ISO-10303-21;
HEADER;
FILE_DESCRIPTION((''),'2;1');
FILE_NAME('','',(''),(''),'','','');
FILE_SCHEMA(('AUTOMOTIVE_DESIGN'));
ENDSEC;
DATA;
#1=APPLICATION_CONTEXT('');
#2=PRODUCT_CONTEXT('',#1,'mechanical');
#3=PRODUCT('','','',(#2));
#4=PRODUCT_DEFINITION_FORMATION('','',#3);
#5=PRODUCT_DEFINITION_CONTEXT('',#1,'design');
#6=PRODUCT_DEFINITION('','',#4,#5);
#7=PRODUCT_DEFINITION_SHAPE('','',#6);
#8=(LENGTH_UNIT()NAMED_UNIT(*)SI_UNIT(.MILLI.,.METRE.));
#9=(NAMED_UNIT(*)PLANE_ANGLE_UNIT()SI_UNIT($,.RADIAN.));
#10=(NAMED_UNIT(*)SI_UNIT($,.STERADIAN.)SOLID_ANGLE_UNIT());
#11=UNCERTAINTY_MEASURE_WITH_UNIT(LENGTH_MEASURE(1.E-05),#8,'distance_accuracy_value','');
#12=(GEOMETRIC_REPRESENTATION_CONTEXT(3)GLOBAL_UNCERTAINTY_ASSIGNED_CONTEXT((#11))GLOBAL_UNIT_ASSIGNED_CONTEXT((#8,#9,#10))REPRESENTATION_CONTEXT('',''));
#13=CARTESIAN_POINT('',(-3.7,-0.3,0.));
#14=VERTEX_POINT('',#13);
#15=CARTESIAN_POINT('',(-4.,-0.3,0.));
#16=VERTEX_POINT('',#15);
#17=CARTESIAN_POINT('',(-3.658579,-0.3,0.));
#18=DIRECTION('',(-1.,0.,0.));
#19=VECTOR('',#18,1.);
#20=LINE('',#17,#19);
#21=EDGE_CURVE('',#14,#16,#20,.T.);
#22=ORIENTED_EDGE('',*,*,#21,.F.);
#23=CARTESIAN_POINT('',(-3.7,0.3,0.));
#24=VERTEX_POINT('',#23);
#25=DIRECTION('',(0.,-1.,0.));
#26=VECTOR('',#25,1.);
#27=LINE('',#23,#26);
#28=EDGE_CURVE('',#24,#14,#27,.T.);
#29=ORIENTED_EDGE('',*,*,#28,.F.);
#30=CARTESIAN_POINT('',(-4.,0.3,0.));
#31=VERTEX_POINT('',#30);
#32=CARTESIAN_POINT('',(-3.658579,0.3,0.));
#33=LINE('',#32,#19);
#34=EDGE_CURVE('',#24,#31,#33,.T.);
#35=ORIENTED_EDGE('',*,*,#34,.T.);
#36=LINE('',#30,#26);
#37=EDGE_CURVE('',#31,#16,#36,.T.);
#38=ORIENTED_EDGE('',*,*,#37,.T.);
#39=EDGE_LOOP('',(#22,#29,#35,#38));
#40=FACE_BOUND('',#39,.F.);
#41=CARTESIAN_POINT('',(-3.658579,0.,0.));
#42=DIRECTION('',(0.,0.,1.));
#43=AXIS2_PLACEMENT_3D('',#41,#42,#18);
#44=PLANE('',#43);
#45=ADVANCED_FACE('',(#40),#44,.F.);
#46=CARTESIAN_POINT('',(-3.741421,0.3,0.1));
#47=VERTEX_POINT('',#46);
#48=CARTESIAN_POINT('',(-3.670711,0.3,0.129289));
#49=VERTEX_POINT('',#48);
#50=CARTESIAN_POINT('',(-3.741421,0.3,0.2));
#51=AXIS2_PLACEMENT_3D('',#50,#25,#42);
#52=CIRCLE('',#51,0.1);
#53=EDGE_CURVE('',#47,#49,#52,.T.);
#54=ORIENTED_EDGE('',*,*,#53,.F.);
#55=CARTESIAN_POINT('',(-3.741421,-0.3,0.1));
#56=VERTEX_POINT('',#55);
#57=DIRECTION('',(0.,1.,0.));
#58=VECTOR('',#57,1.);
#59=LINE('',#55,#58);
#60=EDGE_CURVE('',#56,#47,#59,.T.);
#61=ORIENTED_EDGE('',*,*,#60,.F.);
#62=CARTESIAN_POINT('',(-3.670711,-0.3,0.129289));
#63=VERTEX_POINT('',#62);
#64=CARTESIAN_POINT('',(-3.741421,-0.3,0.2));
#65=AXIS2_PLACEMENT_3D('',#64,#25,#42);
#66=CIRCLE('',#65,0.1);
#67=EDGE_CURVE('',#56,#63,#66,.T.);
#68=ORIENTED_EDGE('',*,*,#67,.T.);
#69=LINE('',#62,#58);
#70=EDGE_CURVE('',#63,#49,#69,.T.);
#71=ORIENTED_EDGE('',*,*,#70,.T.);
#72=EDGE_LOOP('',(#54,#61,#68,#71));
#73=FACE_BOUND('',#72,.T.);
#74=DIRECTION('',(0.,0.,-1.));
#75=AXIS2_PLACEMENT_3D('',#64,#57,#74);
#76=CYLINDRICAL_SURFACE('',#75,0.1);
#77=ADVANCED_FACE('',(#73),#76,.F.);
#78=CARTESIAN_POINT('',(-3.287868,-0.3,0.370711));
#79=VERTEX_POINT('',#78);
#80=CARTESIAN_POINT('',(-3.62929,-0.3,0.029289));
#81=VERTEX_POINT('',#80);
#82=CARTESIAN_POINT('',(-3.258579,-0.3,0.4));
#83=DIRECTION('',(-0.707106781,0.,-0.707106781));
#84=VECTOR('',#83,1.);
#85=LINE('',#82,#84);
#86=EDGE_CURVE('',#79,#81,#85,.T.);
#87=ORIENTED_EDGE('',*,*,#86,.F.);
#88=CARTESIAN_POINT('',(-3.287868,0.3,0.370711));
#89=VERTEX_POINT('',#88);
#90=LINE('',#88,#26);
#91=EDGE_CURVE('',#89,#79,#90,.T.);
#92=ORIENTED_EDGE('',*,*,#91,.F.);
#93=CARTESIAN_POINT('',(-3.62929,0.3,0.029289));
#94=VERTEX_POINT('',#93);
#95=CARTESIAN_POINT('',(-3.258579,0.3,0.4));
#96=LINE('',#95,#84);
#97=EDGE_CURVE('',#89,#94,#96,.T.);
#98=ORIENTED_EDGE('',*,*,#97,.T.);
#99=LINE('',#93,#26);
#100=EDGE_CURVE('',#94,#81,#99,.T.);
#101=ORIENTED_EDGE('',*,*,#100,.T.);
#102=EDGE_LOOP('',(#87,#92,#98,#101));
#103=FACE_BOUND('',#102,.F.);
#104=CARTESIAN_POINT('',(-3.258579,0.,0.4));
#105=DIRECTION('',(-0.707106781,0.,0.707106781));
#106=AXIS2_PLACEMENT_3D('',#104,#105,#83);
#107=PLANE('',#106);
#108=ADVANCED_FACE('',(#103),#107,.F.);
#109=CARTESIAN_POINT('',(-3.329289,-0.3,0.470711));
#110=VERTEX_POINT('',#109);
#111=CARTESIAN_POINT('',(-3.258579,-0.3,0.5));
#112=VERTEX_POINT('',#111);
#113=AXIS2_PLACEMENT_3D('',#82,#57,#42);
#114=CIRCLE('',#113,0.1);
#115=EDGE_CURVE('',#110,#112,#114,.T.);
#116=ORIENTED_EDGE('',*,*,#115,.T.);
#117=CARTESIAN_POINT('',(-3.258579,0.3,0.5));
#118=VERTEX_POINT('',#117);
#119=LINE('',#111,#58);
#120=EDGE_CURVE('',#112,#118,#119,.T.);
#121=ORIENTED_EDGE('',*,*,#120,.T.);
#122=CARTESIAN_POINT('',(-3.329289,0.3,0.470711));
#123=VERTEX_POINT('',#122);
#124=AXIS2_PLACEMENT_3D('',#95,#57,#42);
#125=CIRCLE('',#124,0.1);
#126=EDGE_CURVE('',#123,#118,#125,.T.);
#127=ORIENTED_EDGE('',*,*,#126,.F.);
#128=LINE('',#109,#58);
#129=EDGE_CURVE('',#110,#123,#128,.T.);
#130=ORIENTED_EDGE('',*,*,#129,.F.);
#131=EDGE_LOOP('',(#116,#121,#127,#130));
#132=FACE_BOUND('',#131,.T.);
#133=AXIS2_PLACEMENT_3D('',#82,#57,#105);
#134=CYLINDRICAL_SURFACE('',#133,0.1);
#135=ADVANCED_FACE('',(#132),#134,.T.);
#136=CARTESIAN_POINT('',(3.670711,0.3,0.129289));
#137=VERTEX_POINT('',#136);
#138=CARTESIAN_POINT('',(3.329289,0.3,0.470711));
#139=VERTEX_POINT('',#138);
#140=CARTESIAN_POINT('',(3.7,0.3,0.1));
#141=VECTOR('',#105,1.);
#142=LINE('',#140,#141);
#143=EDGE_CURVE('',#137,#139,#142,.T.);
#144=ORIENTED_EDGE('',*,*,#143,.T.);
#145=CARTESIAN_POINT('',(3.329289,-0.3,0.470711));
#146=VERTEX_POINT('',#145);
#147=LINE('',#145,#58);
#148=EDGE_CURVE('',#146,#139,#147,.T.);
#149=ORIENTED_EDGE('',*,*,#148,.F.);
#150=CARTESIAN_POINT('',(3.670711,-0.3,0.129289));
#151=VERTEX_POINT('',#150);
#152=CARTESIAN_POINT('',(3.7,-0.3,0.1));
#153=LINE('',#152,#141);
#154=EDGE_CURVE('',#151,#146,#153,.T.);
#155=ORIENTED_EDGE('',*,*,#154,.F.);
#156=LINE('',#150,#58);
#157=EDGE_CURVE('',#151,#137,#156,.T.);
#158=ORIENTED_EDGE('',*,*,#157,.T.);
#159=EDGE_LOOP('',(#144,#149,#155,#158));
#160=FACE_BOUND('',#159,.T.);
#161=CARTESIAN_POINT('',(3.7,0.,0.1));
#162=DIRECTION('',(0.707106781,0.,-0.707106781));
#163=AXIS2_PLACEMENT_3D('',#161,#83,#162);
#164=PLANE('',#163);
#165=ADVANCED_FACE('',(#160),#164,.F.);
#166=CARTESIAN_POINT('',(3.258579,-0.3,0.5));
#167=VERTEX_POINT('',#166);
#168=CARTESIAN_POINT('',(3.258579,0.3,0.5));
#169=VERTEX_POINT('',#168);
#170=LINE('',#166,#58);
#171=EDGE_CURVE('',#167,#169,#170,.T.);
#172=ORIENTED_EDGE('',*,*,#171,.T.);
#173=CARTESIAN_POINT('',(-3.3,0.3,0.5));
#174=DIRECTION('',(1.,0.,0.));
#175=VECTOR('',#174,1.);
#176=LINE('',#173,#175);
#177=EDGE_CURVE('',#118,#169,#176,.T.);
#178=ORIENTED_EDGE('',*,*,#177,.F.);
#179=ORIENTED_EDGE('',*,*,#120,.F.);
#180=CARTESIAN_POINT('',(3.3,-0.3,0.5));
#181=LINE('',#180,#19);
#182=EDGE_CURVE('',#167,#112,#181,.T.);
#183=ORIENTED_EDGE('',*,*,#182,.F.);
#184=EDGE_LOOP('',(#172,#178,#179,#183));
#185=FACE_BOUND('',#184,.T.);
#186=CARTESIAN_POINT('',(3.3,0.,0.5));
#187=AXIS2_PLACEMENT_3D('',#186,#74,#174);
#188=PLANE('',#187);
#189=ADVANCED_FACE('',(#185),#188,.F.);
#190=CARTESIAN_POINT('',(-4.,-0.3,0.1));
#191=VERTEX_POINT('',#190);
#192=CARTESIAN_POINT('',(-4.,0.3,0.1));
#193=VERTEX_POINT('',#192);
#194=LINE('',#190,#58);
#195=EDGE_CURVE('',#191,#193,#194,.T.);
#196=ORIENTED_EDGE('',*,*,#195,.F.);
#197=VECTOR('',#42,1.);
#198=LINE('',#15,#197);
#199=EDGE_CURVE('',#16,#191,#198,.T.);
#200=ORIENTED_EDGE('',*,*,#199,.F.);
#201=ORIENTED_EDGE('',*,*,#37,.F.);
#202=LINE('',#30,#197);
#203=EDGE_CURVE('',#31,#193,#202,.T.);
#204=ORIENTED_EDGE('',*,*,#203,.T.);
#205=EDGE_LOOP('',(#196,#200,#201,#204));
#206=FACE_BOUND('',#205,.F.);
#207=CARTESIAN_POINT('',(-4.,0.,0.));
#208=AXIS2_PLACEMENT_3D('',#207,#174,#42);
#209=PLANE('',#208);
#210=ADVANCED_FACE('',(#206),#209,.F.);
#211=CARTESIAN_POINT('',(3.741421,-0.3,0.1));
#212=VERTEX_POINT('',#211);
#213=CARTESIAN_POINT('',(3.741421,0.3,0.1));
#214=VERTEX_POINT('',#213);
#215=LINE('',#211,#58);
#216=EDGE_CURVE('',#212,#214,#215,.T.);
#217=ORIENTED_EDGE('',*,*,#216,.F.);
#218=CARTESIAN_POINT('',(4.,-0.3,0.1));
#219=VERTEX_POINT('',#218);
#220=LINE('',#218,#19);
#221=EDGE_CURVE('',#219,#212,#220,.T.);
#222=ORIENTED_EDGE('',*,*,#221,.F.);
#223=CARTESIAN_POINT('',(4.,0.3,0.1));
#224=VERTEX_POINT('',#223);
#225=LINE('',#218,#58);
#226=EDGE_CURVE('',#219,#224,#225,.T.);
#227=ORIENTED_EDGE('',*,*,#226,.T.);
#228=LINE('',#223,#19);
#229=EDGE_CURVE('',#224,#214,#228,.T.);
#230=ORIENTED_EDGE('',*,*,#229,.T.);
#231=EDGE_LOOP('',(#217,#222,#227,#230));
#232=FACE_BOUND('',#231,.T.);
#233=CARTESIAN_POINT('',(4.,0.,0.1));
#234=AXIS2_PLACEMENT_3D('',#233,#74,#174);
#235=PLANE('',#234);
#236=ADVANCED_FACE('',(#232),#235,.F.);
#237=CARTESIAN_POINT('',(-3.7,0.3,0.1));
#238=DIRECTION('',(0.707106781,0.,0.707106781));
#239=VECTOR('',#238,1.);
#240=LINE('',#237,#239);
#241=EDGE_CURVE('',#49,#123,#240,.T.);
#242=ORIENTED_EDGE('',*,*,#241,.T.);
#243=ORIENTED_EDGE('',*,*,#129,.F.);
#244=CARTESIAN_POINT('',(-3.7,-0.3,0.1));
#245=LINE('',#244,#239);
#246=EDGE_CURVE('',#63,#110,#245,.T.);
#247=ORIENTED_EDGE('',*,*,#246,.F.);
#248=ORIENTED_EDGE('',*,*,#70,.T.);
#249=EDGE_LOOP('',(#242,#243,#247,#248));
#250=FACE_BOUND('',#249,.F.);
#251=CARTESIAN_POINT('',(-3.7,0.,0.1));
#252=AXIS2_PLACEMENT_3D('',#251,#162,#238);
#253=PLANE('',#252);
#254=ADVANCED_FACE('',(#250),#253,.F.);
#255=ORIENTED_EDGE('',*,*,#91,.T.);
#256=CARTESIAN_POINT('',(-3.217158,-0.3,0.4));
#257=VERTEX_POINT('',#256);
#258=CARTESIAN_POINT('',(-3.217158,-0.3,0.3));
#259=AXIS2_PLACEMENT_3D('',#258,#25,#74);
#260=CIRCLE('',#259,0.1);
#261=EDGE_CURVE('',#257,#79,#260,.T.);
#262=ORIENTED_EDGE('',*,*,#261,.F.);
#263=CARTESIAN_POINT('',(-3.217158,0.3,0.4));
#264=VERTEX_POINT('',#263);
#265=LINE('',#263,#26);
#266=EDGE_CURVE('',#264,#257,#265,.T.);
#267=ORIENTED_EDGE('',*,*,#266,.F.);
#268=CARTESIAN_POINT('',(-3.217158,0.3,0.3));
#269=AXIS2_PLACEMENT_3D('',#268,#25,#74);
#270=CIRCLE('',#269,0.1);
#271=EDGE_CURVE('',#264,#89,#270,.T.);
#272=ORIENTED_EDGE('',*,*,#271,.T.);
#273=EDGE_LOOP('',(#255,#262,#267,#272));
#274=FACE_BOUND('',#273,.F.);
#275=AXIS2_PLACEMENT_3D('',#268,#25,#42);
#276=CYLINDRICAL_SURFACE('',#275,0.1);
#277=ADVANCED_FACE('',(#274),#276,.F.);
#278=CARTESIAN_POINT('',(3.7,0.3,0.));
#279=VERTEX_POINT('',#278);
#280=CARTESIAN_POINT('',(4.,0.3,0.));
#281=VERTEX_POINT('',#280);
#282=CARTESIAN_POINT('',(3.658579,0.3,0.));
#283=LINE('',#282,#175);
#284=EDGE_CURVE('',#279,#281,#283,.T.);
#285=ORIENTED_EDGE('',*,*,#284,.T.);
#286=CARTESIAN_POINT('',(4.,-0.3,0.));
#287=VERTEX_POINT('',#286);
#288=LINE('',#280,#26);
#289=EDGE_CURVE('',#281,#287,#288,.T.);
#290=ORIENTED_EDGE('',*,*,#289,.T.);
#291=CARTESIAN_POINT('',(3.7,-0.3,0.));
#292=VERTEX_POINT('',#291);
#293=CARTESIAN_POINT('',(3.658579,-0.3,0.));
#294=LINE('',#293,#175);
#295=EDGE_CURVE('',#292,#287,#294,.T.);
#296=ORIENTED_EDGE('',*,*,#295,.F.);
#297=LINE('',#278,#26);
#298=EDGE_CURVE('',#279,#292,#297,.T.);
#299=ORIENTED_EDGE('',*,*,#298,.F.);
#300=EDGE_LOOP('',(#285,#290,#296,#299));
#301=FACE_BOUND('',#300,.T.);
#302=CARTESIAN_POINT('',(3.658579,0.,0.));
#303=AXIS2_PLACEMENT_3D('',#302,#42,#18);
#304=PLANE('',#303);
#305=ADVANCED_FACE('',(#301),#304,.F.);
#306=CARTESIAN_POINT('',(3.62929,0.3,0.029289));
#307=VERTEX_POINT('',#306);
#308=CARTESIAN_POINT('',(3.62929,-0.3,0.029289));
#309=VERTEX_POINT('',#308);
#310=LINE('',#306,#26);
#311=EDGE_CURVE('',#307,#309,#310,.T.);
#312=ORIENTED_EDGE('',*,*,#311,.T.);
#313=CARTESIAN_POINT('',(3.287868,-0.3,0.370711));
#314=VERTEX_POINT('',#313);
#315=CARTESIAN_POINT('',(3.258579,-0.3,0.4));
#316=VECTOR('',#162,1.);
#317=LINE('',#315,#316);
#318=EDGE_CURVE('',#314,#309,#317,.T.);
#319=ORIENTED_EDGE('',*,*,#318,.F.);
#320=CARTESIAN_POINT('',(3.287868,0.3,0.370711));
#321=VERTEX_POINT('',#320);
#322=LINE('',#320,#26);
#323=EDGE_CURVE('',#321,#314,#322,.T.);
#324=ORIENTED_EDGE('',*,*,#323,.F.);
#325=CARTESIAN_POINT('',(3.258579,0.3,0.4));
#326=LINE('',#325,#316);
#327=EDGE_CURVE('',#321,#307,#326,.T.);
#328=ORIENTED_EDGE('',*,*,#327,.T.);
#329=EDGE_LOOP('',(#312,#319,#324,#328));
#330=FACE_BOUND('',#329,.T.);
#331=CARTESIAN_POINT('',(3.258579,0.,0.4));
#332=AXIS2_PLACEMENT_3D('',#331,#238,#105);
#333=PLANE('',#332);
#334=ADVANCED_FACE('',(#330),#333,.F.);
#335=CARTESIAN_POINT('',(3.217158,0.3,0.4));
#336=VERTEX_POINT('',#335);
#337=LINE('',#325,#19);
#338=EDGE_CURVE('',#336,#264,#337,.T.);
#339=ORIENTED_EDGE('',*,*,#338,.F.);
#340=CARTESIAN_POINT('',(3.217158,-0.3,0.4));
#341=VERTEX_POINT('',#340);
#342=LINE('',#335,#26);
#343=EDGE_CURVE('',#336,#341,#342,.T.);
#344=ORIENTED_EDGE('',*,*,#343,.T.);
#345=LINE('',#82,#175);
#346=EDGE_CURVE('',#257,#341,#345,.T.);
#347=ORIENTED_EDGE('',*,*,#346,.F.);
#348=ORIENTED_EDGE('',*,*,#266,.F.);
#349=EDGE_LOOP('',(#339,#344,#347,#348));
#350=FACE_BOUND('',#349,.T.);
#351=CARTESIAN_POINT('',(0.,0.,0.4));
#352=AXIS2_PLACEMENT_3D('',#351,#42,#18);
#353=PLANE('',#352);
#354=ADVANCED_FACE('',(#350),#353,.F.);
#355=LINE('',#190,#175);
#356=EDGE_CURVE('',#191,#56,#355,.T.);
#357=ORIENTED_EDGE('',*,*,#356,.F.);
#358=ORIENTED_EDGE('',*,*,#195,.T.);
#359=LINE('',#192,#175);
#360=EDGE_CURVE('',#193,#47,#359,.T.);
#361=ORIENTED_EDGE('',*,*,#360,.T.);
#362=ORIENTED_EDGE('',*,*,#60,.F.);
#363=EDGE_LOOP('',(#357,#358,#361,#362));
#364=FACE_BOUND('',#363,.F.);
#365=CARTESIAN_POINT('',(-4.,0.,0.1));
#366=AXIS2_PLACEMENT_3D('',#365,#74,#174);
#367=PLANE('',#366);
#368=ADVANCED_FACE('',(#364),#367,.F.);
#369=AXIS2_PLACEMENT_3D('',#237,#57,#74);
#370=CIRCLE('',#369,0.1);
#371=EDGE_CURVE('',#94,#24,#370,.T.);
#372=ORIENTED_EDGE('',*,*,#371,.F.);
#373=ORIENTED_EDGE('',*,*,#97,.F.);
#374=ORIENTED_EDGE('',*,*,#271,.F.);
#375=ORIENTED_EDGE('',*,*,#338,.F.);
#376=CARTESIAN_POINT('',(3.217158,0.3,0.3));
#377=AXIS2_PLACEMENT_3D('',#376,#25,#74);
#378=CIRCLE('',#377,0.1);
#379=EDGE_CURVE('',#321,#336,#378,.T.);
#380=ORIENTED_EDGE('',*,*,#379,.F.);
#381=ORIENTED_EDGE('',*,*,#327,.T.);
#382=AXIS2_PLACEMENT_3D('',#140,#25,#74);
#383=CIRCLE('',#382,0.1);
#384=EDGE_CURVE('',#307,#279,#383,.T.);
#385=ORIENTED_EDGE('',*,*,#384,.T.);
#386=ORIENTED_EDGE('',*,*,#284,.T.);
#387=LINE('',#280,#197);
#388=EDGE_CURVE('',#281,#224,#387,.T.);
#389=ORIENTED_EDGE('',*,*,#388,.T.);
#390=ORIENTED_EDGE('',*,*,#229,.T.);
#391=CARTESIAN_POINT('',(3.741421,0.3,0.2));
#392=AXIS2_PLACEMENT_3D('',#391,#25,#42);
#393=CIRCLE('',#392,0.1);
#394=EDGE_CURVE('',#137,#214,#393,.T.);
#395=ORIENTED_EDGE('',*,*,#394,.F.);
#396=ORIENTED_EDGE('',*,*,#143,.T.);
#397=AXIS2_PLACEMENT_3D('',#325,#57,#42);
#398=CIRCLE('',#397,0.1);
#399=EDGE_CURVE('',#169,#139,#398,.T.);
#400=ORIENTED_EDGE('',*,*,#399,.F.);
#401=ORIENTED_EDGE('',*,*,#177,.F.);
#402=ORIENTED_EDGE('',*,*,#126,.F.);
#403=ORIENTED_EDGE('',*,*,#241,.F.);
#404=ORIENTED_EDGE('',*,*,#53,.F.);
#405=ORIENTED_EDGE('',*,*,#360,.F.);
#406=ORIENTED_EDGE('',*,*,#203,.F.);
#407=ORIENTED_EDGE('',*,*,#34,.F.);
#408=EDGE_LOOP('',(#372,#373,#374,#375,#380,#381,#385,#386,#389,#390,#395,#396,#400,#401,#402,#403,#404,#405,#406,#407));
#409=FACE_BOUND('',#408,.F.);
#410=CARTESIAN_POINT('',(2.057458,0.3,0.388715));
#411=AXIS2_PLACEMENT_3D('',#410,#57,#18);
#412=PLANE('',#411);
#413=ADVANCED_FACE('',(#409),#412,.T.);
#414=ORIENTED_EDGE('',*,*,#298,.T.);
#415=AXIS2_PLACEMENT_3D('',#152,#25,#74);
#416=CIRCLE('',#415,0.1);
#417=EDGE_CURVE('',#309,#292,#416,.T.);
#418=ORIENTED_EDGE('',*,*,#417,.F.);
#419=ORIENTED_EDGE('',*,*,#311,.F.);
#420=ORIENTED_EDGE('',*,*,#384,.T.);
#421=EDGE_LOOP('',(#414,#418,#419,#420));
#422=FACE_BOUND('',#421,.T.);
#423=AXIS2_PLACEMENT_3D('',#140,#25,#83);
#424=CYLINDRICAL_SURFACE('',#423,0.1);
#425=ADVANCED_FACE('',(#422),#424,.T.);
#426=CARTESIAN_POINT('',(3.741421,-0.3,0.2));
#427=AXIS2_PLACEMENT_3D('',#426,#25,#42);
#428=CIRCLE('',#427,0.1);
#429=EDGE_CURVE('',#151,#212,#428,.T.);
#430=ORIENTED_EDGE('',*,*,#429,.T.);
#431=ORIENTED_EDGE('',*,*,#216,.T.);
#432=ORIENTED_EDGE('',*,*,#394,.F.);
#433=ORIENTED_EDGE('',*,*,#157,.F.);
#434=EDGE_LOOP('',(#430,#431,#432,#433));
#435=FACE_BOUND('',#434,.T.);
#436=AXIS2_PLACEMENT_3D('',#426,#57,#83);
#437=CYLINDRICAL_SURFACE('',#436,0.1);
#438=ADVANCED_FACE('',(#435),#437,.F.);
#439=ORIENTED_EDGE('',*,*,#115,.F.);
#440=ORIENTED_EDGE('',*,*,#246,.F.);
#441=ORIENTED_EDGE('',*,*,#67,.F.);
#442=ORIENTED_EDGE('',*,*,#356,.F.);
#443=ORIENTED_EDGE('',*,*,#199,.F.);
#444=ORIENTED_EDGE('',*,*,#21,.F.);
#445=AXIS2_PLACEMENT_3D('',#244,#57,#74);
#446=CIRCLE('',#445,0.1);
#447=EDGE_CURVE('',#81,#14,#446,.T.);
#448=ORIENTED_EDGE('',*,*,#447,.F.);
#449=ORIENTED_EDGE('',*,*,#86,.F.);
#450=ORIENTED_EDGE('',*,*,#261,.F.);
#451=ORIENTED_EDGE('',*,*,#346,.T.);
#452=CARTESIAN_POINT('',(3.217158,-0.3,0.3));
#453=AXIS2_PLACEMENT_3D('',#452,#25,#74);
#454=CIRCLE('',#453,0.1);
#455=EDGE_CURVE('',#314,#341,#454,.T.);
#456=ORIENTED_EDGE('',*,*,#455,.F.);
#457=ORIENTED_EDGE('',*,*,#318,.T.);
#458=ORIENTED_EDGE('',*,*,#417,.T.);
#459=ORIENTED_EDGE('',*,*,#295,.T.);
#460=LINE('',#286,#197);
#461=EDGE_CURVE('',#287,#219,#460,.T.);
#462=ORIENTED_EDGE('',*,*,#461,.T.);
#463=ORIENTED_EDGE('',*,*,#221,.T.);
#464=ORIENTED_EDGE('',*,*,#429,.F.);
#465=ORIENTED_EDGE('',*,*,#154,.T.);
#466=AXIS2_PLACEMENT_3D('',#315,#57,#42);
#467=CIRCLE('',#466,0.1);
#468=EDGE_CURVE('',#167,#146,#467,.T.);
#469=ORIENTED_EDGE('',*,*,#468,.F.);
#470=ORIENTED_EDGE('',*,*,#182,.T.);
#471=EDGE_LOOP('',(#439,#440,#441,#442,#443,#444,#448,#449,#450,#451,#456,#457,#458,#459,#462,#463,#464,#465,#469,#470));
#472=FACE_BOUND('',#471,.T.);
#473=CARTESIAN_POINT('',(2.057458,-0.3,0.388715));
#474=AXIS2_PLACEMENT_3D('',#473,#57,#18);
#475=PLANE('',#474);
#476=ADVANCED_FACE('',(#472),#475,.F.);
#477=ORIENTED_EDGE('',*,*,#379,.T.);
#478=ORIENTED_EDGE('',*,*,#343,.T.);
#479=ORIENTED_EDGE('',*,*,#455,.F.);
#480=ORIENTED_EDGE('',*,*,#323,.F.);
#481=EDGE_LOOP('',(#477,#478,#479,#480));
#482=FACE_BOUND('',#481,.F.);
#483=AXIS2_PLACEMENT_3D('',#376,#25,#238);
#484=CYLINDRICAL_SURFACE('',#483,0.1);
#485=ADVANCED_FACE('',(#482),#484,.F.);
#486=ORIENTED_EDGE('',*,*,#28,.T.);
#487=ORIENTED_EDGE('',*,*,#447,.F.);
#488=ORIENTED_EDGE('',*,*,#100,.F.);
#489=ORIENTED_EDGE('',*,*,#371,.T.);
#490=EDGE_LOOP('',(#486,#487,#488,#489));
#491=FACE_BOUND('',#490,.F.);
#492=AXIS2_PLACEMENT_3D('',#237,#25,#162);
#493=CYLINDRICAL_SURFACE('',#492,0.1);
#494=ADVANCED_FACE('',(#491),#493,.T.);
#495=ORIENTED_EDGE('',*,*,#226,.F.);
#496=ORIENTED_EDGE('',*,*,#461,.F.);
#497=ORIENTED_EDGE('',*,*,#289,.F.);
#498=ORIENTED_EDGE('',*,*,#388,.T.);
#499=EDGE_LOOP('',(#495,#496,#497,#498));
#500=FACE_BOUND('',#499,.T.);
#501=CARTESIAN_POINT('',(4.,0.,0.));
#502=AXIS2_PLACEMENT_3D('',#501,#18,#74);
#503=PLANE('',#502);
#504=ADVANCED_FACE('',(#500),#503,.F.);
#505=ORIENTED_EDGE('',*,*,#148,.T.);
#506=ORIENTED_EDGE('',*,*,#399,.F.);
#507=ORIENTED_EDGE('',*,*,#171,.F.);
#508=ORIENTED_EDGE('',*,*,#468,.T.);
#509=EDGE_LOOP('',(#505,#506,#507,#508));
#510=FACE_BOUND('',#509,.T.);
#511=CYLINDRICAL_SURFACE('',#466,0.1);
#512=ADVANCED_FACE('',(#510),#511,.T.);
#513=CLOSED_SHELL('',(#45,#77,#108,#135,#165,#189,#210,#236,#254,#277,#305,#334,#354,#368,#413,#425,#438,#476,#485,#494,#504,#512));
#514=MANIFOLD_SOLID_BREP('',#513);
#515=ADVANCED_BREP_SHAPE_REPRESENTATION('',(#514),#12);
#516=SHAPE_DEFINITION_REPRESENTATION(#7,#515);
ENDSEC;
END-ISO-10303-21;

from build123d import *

# Parameters (mm, degrees)
PAD006_DEPTH = 0.3
FILLET005_R  = 0.1


with BuildPart() as part:
    # Sketch007 → Pad006 (new body, symmetric)
    with BuildSketch(Plane.XZ):
        Polygon((-4, 0), (-4, 0.1), (-3.7, 0.1), (-3.3, 0.5), (0, 0.5), (0, 0.4), (-3.258579, 0.4), (-3.658579, 0), align=None)
    pad006 = extrude(amount=PAD006_DEPTH, both=True)

    # Mirrored: Pad006 across Sketch007 V_Axis
    add(pad006.mirror(Plane(origin=(0, 0, 0), x_dir=(0, -1, 0), z_dir=(1, 0, 0))))

    # Fillet005
    fillet005_edges = [part.edges().sort_by_distance(p)[0] for p in [
        (-3.7, 0, 0.1),
        (-3.3, 0, 0.5),
        (-3.658579, 0, 0),
        (-3.258579, 0, 0.4),
        (3.258579, 0, 0.4),
        (3.658579, 0, 0),
        (3.3, 0, 0.5),
        (3.7, 0, 0.1),
    ]]
    fillet(fillet005_edges, radius=FILLET005_R)


solid = part.part
